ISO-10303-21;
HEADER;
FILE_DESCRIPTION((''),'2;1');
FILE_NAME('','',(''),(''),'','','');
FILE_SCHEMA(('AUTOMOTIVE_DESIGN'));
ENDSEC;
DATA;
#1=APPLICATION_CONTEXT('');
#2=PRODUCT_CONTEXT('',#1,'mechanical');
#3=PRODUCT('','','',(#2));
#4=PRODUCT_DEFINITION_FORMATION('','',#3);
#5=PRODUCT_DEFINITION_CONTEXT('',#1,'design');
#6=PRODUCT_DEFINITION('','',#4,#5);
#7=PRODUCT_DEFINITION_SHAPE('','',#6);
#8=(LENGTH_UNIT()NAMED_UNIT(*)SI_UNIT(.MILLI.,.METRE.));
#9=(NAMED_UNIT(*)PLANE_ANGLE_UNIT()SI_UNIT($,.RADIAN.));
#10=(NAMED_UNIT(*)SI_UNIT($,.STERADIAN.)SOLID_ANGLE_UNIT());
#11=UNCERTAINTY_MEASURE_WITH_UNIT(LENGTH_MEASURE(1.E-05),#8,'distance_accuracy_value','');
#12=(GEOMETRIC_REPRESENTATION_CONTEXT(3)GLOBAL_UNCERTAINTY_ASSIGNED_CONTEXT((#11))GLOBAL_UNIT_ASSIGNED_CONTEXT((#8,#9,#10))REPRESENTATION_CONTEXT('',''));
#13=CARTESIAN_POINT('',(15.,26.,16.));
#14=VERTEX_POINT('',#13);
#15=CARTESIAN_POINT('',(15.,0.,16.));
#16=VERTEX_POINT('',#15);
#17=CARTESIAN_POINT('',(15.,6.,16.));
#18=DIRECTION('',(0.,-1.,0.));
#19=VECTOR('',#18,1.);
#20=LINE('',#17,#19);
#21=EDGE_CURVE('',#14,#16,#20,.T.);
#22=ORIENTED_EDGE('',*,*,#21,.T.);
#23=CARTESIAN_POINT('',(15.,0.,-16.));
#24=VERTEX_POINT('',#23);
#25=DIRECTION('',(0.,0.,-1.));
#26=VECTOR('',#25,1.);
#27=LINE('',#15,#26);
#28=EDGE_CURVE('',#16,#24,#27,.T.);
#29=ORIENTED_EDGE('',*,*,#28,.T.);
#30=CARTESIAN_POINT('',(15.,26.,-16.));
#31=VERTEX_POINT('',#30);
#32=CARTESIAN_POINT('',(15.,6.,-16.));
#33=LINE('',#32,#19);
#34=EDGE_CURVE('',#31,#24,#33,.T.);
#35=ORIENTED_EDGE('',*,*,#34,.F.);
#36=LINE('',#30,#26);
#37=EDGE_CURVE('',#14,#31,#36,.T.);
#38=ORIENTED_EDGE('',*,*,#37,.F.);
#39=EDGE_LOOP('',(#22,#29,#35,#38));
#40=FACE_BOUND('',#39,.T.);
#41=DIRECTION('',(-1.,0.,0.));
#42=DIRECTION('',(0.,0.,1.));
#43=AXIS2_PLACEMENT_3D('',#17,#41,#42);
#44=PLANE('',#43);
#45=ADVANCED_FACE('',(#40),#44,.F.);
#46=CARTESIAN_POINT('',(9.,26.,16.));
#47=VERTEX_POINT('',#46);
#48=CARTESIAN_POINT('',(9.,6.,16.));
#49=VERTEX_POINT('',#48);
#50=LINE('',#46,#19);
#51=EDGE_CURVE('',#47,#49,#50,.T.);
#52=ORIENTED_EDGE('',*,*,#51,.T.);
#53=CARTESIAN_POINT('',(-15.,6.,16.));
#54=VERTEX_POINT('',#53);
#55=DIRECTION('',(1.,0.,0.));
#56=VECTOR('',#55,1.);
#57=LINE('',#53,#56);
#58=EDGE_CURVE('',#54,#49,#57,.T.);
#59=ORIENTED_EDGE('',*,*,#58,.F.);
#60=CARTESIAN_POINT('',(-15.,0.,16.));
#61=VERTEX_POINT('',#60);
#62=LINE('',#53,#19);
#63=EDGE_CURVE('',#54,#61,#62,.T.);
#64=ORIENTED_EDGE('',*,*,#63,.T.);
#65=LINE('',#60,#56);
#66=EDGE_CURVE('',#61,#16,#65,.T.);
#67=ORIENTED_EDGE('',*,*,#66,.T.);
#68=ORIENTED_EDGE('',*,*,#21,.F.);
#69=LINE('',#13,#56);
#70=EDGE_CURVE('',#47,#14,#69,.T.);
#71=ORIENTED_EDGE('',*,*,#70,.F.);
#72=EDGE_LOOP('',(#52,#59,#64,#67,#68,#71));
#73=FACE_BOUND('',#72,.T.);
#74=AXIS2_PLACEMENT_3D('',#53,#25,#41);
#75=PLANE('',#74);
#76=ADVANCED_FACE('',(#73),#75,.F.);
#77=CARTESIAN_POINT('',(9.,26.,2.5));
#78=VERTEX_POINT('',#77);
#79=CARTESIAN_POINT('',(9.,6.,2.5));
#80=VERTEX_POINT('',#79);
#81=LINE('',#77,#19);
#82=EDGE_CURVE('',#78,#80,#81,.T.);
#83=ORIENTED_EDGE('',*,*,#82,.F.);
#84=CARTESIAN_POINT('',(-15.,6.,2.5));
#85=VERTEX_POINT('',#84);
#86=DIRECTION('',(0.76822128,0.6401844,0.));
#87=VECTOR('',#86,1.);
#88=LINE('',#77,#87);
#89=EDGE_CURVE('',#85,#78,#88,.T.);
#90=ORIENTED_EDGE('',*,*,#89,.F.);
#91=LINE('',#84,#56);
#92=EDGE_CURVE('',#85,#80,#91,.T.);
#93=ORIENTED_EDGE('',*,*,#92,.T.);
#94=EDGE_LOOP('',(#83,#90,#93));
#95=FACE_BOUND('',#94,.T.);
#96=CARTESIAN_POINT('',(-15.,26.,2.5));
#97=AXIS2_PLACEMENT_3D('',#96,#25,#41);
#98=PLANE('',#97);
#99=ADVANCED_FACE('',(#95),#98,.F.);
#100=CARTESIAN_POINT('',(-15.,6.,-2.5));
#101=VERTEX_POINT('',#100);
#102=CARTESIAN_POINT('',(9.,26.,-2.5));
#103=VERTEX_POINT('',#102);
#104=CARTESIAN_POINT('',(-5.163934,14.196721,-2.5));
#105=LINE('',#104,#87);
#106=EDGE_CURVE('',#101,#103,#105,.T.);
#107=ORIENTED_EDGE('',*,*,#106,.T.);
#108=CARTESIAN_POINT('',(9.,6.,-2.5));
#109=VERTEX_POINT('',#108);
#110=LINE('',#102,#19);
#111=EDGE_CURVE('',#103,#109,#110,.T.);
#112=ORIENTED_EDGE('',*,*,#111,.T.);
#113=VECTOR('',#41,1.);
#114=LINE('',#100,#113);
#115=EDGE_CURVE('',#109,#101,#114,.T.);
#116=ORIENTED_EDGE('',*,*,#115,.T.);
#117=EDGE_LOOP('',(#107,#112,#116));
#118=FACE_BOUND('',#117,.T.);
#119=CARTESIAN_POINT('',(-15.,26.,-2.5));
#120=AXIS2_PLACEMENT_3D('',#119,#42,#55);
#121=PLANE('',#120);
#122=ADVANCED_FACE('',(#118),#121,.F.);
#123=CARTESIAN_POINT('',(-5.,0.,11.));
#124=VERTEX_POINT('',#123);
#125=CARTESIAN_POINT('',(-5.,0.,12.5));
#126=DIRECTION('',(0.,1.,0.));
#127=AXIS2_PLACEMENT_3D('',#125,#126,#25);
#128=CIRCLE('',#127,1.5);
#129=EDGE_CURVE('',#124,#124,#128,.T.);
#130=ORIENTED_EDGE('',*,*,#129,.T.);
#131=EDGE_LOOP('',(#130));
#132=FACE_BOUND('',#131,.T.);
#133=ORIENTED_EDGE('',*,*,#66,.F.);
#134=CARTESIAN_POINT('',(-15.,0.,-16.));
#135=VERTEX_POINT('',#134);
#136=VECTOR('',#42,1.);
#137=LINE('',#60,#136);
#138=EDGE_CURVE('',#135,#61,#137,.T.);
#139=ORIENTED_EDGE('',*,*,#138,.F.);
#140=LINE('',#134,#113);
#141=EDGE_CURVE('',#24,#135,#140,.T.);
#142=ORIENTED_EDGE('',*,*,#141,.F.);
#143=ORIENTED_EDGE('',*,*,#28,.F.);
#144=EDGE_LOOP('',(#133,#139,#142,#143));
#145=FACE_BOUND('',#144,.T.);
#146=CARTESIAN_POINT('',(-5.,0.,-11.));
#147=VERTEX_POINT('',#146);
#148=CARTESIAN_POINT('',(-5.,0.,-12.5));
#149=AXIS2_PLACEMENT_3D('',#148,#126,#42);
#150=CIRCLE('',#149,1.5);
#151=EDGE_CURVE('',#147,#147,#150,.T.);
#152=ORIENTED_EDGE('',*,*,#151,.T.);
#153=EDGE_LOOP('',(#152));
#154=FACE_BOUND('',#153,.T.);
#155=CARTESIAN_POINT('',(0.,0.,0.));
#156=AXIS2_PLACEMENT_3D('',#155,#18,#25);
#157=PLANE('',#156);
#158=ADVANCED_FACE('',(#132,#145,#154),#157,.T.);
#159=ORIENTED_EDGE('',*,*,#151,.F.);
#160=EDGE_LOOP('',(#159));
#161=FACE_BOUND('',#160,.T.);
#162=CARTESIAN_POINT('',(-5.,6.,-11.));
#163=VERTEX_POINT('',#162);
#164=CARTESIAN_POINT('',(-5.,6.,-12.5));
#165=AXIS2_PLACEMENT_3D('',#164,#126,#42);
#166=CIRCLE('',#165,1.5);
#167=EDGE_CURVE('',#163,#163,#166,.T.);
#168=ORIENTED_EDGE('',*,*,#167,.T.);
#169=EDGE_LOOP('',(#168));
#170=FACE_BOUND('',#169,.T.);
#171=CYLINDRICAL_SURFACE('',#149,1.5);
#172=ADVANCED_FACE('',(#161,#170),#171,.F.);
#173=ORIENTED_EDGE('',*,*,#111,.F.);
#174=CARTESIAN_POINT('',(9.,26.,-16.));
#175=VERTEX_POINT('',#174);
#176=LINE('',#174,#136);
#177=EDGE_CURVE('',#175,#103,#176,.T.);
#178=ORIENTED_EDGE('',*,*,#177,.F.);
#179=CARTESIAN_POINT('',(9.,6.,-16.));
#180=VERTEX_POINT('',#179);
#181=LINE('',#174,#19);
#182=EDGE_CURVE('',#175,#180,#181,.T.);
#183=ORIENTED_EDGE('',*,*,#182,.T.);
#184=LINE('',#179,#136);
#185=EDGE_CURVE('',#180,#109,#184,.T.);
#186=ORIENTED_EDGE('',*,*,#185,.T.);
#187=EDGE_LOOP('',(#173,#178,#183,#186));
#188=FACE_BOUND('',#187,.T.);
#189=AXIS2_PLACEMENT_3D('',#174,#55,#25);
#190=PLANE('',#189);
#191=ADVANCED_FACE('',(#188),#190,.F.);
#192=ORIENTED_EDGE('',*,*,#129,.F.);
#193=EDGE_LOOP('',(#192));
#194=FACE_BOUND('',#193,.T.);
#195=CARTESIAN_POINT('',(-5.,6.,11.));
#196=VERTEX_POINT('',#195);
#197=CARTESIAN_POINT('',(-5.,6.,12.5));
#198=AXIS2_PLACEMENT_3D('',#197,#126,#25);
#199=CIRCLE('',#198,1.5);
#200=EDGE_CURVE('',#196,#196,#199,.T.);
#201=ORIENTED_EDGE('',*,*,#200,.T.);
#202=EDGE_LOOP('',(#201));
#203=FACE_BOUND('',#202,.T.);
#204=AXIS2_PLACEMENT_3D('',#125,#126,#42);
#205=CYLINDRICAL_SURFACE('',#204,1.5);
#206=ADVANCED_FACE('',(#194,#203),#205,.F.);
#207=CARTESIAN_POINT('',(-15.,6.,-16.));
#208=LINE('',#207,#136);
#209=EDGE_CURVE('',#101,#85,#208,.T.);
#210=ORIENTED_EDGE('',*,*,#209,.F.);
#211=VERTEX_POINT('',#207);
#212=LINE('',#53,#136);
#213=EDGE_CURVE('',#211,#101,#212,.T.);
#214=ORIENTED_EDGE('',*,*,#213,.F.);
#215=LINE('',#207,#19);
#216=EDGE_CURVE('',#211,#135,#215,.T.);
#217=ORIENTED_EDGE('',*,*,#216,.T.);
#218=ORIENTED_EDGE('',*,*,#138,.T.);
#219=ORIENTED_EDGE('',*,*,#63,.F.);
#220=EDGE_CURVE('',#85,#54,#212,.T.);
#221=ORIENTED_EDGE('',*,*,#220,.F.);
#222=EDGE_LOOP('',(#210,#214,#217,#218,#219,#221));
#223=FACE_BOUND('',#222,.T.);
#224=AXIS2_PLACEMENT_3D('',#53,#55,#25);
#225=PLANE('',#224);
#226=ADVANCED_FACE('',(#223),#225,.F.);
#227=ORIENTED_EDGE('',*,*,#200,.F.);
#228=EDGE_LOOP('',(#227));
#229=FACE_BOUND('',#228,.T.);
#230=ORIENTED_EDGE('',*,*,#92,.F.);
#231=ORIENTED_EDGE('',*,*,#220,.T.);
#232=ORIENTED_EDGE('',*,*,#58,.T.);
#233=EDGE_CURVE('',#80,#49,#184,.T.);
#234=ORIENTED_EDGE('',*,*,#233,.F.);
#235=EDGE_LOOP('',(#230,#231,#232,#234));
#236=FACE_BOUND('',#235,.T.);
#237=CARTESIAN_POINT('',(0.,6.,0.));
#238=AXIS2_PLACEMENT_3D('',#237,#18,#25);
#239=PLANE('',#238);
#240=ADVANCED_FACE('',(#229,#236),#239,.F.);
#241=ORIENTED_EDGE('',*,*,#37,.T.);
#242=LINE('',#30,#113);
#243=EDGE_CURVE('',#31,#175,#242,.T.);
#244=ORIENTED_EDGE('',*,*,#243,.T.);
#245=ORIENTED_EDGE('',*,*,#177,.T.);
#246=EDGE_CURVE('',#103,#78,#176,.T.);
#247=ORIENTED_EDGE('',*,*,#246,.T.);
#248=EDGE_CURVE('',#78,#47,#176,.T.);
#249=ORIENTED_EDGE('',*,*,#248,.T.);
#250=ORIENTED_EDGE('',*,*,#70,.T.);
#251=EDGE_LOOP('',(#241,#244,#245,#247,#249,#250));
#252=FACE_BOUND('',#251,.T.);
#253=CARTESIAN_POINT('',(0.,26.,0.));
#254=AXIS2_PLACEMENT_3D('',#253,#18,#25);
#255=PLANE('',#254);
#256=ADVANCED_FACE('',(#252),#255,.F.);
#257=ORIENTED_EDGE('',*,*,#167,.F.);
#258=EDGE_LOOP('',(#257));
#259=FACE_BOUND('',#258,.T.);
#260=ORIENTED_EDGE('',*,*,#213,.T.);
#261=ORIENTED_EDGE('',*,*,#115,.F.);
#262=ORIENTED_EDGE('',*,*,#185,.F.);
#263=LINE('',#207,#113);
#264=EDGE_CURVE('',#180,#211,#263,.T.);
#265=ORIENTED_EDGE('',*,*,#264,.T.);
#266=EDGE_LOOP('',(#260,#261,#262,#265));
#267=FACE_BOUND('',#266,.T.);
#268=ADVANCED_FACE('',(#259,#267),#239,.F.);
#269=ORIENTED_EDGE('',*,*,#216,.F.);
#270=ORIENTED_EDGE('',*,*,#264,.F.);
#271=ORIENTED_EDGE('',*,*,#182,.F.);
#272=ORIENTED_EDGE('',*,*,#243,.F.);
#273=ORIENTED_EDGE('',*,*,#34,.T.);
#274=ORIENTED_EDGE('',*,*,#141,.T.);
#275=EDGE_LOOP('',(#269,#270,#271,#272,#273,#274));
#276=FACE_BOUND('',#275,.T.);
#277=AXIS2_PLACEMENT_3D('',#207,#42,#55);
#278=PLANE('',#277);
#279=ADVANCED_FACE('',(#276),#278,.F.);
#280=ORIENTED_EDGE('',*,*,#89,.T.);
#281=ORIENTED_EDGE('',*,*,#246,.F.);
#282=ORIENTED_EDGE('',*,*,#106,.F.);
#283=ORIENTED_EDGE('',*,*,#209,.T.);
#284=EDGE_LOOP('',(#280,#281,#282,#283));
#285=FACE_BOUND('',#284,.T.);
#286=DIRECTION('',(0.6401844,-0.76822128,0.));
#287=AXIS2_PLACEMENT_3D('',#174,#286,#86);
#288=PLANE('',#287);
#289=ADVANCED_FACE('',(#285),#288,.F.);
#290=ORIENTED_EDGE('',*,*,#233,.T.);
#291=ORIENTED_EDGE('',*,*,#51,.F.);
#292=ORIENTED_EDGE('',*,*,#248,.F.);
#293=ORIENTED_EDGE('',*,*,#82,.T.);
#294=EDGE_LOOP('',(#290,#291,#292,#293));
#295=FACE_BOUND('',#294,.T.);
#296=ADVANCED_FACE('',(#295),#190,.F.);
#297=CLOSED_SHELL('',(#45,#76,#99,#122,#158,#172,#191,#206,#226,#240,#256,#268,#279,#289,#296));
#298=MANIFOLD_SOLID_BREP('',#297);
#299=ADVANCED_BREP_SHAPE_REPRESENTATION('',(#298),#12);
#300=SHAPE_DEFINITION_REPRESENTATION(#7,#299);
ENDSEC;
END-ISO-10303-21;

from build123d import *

# Parameters (mm, degrees)
SKETCH_1_W          = 30
SKETCH_1_H          = 32
EXTRUDE_1_DEPTH     = 6
SKETCH_2_W          = 6
SKETCH_2_H          = 32
EXTRUDE_2_DEPTH     = 20
SKETCH_4_R          = 1.5
CUT_EXTRUDE_1_DEPTH = 30.681644159
SKETCH_5_W          = 24
SKETCH_5_H          = 5
EXTRUDE_3_DEPTH     = 20
CUT_EXTRUDE_2_DEPTH = 36.259750425


with BuildPart() as part:
    # 草图1 → 凸台-拉伸1 (new body)
    with BuildSketch(Plane(origin=(0, 0, 0), x_dir=(1, 0, 0), z_dir=(0, 1, 0))):
        Rectangle(SKETCH_1_W, SKETCH_1_H)
    extrude(amount=EXTRUDE_1_DEPTH)

    # 草图2 → 凸台-拉伸2 (add)
    with BuildSketch(Plane(origin=(0, 6, 0), x_dir=(1, 0, 0), z_dir=(0, 1, 0))):
        with Locations((12, 0)):
            Rectangle(SKETCH_2_W, SKETCH_2_H)
    extrude(amount=EXTRUDE_2_DEPTH)

    # 草图4 → 切除-拉伸1 (cut, through all)
    with BuildSketch(Plane(origin=(0, 6, 0), x_dir=(1, 0, 0), z_dir=(0, 1, 0))):
        with Locations(Location((-5, 12.5, 0), (0, 0, 270))):
            Circle(SKETCH_4_R)
        with Locations(Location((-5, -12.5, 0), (0, 0, 90))):
            Circle(SKETCH_4_R)
    extrude(amount=-CUT_EXTRUDE_1_DEPTH, mode=Mode.SUBTRACT)

    # 草图5 → 凸台-拉伸3 (add, through all)
    with BuildSketch(Plane(origin=(0, 6, 0), x_dir=(1, 0, 0), z_dir=(0, 1, 0))):
        with Locations((-3, 0)):
            Rectangle(SKETCH_5_W, SKETCH_5_H)
    extrude(amount=EXTRUDE_3_DEPTH)

    # 草图6 → 切除-拉伸2 (cut, through all)
    with BuildSketch(Plane.XY.offset(2.5)):
        Polygon((-15, 6), (-15, 26), (9, 26), align=None)
    extrude(amount=-CUT_EXTRUDE_2_DEPTH, mode=Mode.SUBTRACT)


solid = part.part
